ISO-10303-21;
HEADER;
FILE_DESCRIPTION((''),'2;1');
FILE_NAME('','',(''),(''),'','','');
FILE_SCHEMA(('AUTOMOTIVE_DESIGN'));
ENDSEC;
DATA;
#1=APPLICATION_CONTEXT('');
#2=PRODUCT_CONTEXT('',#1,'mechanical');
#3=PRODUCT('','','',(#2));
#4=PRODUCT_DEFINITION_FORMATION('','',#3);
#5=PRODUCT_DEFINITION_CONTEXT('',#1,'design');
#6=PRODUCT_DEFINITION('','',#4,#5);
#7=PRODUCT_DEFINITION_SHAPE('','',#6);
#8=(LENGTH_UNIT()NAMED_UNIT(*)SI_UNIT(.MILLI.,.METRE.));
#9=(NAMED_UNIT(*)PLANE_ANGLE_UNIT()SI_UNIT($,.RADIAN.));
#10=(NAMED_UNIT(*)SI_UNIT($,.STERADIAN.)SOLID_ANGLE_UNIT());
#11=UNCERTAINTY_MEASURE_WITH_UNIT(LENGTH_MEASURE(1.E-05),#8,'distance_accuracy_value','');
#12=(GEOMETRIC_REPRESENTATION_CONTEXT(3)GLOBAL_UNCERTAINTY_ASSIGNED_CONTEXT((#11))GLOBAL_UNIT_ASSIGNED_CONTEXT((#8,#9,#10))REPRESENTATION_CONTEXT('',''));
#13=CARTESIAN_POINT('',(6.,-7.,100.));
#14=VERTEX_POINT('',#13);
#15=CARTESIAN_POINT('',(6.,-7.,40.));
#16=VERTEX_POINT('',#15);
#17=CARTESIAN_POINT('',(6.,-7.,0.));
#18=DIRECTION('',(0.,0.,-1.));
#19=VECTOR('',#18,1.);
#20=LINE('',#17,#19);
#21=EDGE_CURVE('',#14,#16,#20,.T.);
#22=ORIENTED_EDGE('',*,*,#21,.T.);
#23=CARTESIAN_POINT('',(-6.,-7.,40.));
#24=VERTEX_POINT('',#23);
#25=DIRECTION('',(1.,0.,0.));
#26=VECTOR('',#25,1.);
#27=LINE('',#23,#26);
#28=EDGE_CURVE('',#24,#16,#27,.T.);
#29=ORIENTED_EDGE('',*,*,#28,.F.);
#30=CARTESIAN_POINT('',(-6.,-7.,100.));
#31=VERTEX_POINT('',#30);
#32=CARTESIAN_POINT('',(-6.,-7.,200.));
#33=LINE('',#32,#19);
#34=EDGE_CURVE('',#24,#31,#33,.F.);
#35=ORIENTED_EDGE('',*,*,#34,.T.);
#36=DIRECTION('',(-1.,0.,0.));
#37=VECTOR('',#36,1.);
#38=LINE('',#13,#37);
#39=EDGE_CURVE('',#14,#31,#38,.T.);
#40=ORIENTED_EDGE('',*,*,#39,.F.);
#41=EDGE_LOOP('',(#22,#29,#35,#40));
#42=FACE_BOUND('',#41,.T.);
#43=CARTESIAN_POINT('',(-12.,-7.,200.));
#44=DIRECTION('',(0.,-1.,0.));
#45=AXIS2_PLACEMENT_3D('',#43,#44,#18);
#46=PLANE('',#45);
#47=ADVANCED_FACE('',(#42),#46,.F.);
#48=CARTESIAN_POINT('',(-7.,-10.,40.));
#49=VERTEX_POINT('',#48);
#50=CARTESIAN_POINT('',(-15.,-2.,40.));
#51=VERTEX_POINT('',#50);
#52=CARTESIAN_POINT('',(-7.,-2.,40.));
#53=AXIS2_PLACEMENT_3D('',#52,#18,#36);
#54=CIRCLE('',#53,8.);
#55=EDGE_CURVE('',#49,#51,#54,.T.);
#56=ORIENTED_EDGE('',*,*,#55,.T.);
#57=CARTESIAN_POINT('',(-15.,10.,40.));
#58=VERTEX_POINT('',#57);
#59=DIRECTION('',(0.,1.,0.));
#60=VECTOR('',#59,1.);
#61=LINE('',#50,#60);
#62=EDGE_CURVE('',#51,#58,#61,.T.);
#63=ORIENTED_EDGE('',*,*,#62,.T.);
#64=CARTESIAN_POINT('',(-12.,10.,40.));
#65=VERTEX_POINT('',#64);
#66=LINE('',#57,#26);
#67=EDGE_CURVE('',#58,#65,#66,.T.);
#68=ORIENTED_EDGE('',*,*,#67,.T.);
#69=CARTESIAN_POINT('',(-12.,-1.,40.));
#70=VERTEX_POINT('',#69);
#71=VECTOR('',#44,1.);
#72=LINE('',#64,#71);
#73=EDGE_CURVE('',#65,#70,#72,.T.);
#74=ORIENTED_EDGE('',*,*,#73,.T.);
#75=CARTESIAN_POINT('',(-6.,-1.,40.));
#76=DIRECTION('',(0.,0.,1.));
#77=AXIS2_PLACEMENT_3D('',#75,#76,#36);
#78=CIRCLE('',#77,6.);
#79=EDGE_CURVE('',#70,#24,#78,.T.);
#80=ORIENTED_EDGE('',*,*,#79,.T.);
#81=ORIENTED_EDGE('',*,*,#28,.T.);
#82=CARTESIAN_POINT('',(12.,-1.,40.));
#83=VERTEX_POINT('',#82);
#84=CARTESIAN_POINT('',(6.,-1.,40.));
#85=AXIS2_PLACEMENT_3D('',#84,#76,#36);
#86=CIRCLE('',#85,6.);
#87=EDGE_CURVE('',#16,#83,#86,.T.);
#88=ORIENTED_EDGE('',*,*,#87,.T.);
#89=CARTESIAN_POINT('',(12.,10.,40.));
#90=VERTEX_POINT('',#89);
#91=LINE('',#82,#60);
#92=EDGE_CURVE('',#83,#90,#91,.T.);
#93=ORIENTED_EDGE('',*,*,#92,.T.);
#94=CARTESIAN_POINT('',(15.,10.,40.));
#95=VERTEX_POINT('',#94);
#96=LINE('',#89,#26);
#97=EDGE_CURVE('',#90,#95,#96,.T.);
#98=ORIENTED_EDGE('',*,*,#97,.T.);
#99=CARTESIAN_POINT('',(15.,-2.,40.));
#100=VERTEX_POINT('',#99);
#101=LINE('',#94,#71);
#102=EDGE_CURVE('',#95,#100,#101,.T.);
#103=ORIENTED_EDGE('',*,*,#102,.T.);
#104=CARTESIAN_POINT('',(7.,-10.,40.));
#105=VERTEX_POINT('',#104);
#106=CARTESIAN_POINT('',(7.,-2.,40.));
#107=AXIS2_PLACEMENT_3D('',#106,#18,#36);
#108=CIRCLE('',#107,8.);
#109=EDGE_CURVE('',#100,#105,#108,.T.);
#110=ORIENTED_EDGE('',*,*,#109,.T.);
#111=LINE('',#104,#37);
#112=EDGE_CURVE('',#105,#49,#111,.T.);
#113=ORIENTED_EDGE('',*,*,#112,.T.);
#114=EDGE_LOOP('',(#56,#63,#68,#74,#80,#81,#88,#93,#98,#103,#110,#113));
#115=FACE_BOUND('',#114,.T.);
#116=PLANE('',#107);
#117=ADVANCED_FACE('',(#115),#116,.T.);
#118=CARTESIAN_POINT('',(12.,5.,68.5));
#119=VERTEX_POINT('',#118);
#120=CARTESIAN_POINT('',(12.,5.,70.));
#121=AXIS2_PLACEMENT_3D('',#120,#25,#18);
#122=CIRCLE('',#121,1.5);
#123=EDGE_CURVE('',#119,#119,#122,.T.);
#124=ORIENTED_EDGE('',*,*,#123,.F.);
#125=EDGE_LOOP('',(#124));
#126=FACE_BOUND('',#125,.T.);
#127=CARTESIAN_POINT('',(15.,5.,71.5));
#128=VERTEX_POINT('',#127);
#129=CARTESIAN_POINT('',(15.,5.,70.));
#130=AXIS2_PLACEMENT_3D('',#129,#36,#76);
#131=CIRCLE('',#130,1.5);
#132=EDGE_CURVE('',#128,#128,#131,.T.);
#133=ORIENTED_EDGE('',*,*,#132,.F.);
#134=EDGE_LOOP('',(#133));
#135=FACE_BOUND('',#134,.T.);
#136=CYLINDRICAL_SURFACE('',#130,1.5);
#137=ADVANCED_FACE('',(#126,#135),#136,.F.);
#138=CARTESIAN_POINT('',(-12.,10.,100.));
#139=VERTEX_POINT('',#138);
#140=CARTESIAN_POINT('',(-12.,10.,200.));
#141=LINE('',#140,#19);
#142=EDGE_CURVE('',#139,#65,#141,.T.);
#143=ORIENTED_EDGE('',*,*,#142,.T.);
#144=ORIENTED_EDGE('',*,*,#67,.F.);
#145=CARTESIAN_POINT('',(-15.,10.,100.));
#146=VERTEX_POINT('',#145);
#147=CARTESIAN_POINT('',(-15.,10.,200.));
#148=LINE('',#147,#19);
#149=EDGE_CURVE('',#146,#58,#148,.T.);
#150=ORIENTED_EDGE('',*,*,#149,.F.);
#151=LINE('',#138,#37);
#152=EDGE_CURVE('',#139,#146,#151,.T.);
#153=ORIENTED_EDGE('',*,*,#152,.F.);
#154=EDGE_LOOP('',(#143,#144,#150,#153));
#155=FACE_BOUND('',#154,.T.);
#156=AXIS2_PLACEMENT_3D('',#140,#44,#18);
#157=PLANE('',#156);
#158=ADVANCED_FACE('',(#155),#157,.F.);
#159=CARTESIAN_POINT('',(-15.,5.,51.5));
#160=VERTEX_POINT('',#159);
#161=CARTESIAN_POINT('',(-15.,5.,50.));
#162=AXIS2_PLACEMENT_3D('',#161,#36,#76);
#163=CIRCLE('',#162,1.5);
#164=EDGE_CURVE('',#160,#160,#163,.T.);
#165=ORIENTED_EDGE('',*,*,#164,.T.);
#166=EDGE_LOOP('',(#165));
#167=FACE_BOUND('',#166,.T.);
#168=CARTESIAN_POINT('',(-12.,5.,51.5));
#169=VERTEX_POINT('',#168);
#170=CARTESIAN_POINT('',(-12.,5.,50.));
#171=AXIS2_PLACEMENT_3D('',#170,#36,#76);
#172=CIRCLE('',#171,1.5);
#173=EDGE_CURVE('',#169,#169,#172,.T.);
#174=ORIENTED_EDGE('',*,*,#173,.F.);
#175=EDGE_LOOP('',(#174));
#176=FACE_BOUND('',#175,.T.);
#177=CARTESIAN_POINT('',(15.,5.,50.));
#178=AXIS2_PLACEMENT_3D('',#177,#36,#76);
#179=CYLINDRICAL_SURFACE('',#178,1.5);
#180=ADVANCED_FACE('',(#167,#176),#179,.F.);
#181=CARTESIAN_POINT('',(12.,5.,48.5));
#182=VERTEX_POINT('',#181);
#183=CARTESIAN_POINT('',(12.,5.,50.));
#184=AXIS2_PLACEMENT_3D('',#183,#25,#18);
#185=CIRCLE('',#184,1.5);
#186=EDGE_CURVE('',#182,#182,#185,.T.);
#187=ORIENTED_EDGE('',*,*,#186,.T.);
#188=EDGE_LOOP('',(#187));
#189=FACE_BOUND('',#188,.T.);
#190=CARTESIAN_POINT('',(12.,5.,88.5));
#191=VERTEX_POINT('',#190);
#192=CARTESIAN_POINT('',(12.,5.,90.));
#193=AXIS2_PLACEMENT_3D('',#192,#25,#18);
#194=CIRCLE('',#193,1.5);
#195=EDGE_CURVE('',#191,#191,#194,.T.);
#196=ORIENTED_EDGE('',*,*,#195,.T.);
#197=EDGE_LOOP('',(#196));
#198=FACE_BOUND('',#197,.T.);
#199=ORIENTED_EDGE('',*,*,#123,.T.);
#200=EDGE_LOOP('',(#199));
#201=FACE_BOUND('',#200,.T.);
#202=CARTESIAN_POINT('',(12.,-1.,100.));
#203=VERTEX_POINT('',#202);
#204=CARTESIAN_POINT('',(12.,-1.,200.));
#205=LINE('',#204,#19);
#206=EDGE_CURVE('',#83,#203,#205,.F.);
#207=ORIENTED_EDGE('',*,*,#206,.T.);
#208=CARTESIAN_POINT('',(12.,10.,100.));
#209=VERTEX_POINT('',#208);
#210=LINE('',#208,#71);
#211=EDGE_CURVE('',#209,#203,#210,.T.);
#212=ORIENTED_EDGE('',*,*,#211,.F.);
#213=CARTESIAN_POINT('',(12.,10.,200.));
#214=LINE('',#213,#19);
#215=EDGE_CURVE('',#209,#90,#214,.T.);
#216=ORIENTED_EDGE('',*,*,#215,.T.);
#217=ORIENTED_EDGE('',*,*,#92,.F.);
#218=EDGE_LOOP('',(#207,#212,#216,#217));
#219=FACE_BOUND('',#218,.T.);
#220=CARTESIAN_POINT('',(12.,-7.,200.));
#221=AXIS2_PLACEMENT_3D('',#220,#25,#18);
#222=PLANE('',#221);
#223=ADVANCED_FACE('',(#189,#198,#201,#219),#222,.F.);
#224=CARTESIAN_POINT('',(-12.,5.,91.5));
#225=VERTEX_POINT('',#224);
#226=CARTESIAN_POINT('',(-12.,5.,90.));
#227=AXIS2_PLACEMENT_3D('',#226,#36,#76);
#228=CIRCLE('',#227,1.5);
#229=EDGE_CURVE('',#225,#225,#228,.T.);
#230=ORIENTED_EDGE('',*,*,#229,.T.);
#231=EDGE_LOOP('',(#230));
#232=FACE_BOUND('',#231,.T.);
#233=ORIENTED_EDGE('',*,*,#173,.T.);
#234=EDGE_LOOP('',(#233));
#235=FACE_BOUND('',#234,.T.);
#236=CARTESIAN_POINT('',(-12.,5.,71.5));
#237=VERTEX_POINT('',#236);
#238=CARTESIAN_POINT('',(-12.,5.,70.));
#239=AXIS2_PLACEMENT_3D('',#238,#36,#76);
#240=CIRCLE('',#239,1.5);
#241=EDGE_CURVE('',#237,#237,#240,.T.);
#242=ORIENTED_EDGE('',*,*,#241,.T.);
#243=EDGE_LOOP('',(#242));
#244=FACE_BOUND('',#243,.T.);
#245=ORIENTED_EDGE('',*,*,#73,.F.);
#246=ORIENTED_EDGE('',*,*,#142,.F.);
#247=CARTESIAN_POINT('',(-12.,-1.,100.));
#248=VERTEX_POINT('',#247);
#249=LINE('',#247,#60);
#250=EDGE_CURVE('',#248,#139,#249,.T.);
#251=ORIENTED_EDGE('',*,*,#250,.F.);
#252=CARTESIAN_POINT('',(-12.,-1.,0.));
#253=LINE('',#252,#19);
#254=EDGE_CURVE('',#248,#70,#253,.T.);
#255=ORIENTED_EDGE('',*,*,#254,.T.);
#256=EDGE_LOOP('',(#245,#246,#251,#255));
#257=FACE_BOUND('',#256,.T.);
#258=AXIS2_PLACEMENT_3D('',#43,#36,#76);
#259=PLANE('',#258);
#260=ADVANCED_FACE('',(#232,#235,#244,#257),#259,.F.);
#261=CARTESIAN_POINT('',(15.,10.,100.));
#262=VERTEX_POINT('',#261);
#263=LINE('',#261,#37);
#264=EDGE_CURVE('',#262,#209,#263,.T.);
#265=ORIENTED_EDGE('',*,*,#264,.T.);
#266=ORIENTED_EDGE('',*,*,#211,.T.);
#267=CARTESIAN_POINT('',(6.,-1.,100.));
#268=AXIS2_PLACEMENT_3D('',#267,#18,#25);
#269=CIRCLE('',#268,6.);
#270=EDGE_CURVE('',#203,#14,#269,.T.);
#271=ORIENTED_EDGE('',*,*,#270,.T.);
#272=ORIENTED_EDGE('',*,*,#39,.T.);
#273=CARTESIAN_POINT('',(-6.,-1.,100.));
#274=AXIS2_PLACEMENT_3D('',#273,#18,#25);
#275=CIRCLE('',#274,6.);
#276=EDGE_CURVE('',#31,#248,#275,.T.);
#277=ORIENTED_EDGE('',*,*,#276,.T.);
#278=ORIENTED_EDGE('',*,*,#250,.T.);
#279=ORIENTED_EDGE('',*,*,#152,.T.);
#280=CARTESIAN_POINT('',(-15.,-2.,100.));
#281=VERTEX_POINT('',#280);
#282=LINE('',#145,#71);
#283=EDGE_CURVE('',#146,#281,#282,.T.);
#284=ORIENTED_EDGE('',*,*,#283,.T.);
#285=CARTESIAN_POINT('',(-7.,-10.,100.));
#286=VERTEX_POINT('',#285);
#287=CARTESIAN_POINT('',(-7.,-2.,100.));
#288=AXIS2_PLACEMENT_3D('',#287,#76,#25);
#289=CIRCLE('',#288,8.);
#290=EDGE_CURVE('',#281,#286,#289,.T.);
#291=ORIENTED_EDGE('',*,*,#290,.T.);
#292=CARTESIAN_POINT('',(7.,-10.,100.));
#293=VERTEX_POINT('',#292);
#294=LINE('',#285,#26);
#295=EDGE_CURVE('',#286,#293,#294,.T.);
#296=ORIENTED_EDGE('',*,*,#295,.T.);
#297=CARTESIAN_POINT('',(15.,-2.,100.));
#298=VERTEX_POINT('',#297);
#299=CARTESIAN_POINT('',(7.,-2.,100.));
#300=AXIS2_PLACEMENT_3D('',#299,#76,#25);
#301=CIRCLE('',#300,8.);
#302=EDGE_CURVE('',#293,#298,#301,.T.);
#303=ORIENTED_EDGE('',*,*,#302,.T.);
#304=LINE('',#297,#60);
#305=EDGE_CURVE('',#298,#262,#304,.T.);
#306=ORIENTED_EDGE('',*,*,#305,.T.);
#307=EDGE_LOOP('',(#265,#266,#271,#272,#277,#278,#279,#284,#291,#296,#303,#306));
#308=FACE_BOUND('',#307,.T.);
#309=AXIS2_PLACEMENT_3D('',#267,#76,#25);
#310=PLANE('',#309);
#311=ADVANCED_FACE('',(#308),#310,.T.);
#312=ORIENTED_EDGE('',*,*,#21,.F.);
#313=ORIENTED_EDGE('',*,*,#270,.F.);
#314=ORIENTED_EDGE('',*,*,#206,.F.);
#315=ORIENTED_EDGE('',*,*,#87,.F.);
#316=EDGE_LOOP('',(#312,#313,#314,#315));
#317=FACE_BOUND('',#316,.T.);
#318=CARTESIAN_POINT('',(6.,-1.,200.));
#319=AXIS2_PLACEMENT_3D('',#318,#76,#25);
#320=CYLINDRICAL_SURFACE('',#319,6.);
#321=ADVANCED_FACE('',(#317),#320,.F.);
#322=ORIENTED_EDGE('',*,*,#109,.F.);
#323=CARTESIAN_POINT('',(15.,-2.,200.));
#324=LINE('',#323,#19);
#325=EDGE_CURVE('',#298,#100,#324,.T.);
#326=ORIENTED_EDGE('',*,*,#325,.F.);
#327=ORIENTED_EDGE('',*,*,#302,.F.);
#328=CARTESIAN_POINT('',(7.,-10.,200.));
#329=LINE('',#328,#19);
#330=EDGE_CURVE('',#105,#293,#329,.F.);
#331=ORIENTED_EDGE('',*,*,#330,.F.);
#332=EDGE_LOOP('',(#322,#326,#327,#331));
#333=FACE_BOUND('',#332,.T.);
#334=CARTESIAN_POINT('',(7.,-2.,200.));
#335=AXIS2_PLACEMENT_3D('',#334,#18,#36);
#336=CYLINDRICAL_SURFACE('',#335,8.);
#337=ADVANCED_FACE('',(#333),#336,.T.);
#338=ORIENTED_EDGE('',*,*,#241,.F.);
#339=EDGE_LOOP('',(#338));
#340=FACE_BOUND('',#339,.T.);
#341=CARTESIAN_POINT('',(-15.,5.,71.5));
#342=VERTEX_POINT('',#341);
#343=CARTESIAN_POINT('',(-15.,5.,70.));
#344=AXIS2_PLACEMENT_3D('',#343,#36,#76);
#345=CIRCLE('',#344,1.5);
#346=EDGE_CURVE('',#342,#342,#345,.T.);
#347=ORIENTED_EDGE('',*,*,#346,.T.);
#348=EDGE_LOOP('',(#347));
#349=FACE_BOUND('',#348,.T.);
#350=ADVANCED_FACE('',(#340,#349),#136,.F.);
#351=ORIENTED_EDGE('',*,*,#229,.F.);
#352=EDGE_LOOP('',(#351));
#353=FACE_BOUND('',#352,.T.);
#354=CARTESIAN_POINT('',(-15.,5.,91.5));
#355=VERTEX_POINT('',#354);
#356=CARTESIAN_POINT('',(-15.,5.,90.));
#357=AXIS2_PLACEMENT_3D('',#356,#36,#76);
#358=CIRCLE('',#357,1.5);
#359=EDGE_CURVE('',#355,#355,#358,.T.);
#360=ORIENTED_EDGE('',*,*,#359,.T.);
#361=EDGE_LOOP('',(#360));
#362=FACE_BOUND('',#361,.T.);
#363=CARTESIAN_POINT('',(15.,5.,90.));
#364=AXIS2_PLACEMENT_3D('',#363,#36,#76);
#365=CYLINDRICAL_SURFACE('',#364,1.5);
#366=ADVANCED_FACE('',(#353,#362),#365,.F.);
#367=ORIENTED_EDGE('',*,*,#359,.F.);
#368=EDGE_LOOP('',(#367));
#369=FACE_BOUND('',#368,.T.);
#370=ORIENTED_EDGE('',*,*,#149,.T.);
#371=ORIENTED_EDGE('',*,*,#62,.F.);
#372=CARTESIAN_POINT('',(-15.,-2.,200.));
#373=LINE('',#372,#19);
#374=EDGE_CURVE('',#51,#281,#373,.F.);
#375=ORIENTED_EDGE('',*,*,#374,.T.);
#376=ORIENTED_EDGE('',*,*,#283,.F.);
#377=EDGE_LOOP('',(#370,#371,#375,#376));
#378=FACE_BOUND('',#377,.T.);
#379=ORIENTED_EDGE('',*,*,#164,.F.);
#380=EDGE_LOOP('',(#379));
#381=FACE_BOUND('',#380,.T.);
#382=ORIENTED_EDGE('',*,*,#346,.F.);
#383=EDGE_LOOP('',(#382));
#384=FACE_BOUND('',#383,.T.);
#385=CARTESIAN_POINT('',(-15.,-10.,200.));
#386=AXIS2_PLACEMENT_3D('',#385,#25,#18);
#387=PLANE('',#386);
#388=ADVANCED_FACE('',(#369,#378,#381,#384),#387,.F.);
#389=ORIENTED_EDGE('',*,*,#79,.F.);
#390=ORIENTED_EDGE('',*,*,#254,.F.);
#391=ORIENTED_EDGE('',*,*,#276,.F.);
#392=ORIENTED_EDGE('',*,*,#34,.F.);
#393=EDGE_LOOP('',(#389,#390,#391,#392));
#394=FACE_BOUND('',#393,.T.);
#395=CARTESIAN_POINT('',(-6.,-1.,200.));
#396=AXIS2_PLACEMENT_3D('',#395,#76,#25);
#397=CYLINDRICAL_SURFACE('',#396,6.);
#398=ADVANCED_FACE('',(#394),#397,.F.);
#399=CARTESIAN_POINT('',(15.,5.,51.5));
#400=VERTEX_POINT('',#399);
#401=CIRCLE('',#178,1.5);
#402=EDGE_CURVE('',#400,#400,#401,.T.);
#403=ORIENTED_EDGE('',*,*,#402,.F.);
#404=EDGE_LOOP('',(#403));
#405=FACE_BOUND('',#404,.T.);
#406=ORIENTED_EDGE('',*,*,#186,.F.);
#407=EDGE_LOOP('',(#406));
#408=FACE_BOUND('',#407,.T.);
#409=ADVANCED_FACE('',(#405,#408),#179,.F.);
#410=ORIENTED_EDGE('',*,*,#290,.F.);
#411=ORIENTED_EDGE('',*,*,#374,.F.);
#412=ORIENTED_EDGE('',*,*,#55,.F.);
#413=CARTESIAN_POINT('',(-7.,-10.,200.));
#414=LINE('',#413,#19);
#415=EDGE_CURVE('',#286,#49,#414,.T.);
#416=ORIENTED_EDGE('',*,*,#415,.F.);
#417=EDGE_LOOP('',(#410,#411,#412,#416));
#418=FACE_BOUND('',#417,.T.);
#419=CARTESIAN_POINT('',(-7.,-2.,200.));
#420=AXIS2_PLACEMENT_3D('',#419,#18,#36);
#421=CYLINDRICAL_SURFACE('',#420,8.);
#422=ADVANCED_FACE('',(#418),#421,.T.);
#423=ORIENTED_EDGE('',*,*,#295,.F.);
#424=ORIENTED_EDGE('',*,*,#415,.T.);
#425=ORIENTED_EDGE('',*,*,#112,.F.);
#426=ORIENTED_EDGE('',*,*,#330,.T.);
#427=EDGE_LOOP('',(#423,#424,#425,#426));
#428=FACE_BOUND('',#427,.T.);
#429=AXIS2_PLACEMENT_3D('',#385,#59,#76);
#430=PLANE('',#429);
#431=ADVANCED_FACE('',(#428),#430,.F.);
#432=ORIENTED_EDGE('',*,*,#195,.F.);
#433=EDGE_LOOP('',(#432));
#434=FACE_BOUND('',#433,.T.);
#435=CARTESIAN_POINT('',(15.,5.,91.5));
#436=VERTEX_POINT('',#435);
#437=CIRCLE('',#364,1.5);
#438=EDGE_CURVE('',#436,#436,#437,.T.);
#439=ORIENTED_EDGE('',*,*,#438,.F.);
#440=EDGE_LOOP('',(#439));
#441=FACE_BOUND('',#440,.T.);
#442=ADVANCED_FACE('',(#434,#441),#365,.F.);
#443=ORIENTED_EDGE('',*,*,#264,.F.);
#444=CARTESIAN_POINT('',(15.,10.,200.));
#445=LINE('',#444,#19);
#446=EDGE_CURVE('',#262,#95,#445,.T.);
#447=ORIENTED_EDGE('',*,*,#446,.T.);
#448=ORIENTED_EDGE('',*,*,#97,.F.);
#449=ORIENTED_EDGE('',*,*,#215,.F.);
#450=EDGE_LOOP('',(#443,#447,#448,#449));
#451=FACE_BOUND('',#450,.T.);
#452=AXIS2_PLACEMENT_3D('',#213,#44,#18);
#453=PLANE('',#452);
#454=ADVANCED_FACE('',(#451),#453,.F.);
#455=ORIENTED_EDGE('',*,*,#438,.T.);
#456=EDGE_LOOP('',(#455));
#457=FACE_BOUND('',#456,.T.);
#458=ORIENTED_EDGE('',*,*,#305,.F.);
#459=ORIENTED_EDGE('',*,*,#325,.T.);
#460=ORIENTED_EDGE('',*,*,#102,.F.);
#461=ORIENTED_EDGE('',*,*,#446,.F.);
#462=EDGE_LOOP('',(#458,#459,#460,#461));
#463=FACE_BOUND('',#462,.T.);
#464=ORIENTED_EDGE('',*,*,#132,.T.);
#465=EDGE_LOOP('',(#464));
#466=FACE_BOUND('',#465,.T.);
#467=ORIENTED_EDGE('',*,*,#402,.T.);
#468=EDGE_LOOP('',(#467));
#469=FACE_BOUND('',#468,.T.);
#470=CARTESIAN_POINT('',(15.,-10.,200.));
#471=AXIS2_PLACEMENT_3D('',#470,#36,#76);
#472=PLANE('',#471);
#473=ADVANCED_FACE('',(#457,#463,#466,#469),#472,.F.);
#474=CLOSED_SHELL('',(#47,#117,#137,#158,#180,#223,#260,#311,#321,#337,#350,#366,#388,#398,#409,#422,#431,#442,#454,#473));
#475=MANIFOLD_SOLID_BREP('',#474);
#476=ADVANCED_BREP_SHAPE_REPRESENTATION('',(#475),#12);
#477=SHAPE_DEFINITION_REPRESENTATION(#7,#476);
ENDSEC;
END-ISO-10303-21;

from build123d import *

# Parameters (mm, degrees)
EXTRUDE_1_DEPTH     = 200
FILLET_1_R          = 8
FILLET_2_R          = 6
SKETCH_2_R          = 1.5
CUT_EXTRUDE_1_DEPTH = 203.484567313
SKETCH_3_W          = 63.1289962
SKETCH_3_H          = 24.316742519
CUT_EXTRUDE_2_DEPTH = 59
CUT_EXTRUDE_START   = -40
CUT_EXTRUDE_3_DEPTH = 40
CUT_EXTRUDE_4_DEPTH = 40


with BuildPart() as part:
    # 草图1 → 凸台-拉伸1 (new body)
    with BuildSketch(Plane.XY):
        Polygon((12, -7), (12, 10), (15, 10), (15, -10), (-15, -10), (-15, 10), (-12, 10), (-12, -7), align=None)
    extrude(amount=EXTRUDE_1_DEPTH)

    # 圆角1
    fillet_1_edges = [part.edges().sort_by_distance(p)[0] for p in [
        (15, -10, 100),
        (-15, -10, 100),
    ]]
    fillet(fillet_1_edges, radius=FILLET_1_R)

    # 圆角2
    fillet_2_edges = [part.edges().sort_by_distance(p)[0] for p in [
        (-12, -7, 100),
        (12, -7, 100),
    ]]
    fillet(fillet_2_edges, radius=FILLET_2_R)

    # 草图2 → 切除-拉伸1 (cut, through all)
    with BuildSketch(Plane.ZY.offset(15)):
        with Locations((90, 5)):
            Circle(SKETCH_2_R)
        with Locations((70, 5)):
            Circle(SKETCH_2_R)
        with Locations((50, 5)):
            Circle(SKETCH_2_R)
        with Locations((30, 5)):
            Circle(SKETCH_2_R)
        with Locations((10, 5)):
            Circle(SKETCH_2_R)
        with Locations(Location((190, 5, 0), (0, 0, 180))):
            Circle(SKETCH_2_R)
        with Locations(Location((170, 5, 0), (0, 0, 180))):
            Circle(SKETCH_2_R)
        with Locations(Location((150, 5, 0), (0, 0, 180))):
            Circle(SKETCH_2_R)
        with Locations(Location((130, 5, 0), (0, 0, 180))):
            Circle(SKETCH_2_R)
        with Locations(Location((110, 5, 0), (0, 0, 180))):
            Circle(SKETCH_2_R)
    extrude(amount=-CUT_EXTRUDE_1_DEPTH, mode=Mode.SUBTRACT)

    # 草图3 → 切除-拉伸2 (cut)
    with BuildSketch(Plane.ZY.offset(15)):
        with Locations((171.5644981, -2.15837126)):
            Rectangle(SKETCH_3_W, SKETCH_3_H)
    extrude(amount=-CUT_EXTRUDE_2_DEPTH, mode=Mode.SUBTRACT)

    # 草图4 → 切除-拉伸3 (cut)
    with BuildSketch(Plane(origin=(0, 0, 0), x_dir=(-1, 0, 0), z_dir=(0, 0, -1)).offset(CUT_EXTRUDE_START)):
        with BuildLine():
            Line((-15, 10), (-15, -2))
            ThreePointArc((-15, -2), (-12.656854249, -7.656854249), (-7, -10))
            Line((-7, -10), (7, -10))
            ThreePointArc((7, -10), (12.656854249, -7.656854249), (15, -2))
            Line((15, -2), (15, 10))
            Line((15, 10), (12, 10))
            Line((12, 10), (12, -1))
            ThreePointArc((12, -1), (10.242640687, -5.242640687), (6, -7))
            Line((6, -7), (-6, -7))
            ThreePointArc((-6, -7), (-10.242640687, -5.242640687), (-12, -1))
            Line((-12, -1), (-12, 10))
            Line((-12, 10), (-15, 10))
        make_face()
    extrude(amount=CUT_EXTRUDE_3_DEPTH, mode=Mode.SUBTRACT)

    # 草图5 → 切除-拉伸4 (cut)
    with BuildSketch(Plane.XY.offset(140)):
        with BuildLine():
            Line((15, 10), (12, 10))
            Line((12, 10), (12, -1))
            ThreePointArc((12, -1), (10.242640687, -5.242640687), (6, -7))
            Line((6, -7), (-6, -7))
            ThreePointArc((-6, -7), (-10.242640687, -5.242640687), (-12, -1))
            Line((-12, -1), (-12, 10))
            Line((-12, 10), (-15, 10))
            Line((-15, 10), (-15, -2))
            ThreePointArc((-15, -2), (-12.656854249, -7.656854249), (-7, -10))
            Line((-7, -10), (7, -10))
            ThreePointArc((7, -10), (12.656854249, -7.656854249), (15, -2))
            Line((15, -2), (15, 10))
        make_face()
    extrude(amount=-CUT_EXTRUDE_4_DEPTH, mode=Mode.SUBTRACT)


solid = part.part
